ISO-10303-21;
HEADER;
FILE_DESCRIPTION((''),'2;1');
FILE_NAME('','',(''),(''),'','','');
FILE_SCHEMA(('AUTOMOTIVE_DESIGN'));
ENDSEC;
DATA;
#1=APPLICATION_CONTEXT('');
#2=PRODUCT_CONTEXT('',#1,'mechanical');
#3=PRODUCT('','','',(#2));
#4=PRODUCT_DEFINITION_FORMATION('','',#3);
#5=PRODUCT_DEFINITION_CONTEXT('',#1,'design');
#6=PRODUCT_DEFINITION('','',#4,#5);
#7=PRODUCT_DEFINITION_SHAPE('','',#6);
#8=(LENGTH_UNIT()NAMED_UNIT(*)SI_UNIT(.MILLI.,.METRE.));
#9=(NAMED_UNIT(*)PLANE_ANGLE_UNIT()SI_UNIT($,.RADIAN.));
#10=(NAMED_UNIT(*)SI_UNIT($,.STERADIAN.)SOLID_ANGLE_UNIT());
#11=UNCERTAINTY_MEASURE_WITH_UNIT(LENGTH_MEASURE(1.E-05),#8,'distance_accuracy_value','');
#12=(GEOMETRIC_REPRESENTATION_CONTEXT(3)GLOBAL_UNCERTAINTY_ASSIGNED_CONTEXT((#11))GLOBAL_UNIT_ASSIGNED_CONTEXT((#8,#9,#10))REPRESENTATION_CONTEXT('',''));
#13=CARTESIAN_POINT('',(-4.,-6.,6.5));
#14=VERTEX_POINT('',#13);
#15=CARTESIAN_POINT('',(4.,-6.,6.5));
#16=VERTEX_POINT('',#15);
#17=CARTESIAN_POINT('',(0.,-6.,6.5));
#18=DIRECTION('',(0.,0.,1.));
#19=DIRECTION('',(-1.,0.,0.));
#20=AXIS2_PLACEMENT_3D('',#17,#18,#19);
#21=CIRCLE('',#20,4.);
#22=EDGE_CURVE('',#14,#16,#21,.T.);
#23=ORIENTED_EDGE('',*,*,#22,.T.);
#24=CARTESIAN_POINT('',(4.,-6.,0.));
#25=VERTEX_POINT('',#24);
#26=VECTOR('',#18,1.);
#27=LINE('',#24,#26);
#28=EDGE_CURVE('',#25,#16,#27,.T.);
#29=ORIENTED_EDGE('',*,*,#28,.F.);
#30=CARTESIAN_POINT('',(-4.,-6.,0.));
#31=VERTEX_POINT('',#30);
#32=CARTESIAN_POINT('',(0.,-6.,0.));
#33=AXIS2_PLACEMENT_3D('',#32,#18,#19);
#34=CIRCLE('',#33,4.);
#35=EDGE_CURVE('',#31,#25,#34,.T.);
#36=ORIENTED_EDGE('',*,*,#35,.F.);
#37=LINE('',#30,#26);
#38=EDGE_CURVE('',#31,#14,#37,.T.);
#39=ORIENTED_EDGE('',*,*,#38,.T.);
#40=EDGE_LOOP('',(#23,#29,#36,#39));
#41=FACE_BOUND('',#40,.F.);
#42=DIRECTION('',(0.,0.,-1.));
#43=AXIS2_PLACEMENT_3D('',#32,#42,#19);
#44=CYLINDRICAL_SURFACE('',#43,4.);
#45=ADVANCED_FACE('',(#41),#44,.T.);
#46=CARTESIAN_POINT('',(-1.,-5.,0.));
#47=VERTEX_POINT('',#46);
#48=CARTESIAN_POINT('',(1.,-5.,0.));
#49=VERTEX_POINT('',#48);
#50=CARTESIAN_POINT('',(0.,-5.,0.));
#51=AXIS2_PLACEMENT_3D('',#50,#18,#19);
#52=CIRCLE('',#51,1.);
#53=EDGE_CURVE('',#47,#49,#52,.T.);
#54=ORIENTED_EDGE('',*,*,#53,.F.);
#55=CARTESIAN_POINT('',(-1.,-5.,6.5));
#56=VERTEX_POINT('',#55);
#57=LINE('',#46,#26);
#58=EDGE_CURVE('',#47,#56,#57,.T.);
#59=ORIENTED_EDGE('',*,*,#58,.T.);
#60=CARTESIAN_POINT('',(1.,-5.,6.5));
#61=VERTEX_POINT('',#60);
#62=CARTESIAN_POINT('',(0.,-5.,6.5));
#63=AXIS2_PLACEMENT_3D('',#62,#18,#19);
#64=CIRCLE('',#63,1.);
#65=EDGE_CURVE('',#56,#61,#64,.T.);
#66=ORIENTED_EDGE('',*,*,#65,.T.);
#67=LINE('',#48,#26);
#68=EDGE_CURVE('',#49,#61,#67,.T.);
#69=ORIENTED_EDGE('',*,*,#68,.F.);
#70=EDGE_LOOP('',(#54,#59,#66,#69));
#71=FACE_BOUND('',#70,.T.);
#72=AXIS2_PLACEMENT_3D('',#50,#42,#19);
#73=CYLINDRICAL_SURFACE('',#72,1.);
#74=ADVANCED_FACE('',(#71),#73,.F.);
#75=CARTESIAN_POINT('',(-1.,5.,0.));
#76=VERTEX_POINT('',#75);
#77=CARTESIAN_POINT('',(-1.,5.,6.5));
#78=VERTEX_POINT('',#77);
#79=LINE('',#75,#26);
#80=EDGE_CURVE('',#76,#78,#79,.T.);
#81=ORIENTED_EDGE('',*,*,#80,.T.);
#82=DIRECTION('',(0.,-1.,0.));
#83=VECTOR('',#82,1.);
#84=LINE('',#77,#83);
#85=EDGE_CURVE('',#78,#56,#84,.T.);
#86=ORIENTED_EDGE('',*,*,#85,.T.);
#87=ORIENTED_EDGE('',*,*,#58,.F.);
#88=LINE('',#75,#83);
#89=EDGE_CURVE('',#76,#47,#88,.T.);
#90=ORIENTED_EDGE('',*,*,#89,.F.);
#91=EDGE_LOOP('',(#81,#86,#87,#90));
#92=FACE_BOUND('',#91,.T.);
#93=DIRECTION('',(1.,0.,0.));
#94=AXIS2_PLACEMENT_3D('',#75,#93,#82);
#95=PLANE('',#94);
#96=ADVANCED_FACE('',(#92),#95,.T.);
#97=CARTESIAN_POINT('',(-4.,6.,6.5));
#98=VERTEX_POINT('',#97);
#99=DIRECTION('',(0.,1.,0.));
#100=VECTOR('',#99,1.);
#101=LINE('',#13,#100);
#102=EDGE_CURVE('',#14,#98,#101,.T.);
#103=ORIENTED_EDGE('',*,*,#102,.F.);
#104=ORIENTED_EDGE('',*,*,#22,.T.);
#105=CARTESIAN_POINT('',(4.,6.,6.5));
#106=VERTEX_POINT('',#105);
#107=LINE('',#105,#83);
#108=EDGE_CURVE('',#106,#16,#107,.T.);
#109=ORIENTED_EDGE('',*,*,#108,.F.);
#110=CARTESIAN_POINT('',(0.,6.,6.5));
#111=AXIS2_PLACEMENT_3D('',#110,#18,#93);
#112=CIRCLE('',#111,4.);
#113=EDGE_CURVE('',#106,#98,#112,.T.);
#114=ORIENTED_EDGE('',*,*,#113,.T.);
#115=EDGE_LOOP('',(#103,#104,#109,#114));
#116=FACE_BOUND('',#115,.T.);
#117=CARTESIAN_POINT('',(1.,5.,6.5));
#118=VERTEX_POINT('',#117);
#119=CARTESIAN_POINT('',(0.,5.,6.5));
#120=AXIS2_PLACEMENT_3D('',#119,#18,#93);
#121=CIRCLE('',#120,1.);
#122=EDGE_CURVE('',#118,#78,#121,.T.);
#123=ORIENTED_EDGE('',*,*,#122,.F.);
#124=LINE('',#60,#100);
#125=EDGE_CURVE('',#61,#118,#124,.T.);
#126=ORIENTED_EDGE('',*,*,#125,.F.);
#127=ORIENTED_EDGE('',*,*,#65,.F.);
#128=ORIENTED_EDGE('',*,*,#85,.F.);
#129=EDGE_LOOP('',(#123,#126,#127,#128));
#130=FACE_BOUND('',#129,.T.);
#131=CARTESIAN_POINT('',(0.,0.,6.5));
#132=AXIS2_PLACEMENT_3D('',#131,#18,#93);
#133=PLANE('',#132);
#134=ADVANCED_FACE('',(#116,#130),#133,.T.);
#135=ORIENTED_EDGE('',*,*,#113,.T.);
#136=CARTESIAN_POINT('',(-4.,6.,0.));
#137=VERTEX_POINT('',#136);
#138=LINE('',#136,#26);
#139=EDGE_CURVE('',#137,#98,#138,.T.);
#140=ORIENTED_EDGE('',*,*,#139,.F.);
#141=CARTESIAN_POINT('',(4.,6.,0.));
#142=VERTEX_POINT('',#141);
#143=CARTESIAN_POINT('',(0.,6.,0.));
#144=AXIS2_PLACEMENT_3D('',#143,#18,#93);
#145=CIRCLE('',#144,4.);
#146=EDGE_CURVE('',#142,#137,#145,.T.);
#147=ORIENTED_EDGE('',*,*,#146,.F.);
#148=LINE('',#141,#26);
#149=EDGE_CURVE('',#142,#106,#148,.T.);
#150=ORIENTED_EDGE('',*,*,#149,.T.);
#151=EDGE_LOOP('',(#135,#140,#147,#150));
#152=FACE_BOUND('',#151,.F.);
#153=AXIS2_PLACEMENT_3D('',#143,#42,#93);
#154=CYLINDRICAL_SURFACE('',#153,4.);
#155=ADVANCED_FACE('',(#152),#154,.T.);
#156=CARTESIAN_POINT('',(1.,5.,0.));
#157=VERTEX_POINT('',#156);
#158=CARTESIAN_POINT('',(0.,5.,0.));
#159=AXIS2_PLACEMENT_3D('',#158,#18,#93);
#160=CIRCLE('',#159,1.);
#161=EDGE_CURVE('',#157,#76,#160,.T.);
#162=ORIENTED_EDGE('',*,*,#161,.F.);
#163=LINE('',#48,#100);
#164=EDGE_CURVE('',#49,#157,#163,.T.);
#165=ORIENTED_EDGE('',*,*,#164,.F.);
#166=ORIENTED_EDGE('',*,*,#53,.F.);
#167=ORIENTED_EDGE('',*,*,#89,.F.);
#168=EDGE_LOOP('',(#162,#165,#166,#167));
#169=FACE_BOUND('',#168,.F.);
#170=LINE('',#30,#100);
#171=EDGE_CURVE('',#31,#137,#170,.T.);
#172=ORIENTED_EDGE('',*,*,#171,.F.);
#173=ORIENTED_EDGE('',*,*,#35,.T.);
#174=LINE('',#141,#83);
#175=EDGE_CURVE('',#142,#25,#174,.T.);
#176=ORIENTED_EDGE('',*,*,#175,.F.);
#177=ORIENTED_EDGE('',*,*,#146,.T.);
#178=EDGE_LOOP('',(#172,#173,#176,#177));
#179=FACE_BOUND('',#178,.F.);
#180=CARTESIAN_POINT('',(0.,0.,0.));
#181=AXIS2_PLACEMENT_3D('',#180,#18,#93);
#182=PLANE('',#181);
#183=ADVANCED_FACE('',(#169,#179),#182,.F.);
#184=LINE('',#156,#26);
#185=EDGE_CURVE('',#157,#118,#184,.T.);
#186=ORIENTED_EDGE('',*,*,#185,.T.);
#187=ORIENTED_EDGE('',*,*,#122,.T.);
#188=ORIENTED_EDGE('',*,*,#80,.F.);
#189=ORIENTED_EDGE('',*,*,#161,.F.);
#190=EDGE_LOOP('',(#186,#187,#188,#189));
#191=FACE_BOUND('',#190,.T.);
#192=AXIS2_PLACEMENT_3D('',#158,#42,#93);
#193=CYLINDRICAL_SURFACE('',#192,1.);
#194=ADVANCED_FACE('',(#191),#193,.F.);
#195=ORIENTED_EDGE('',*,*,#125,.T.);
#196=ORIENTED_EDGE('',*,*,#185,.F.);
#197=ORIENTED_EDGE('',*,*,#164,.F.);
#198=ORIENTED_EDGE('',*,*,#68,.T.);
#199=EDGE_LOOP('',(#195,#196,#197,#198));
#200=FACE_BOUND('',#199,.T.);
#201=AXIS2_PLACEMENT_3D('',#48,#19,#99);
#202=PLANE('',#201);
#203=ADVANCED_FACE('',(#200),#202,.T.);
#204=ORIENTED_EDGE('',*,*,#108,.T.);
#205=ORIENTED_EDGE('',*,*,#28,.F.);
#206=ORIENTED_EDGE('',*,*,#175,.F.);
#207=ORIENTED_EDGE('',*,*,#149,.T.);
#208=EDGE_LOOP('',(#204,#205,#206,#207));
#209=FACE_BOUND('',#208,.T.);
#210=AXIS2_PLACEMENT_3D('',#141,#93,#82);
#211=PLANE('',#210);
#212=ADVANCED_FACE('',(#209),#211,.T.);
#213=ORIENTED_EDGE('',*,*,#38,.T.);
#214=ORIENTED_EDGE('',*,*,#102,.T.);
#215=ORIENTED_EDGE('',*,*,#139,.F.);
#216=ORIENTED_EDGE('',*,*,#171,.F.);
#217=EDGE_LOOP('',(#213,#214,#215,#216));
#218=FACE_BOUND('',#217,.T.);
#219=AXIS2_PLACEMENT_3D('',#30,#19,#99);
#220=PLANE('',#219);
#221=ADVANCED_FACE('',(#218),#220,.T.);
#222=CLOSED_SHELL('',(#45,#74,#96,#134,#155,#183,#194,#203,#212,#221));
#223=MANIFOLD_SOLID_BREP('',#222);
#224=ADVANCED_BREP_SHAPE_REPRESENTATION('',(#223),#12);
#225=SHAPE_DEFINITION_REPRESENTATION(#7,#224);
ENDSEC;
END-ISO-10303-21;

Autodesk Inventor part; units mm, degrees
ref_plane "YZ Plane" through (0, 0, 0) normal (1, 0, 0) x (0, 1, 0)
ref_plane "XZ Plane" through (0, 0, 0) normal (0, 1, 0) x (-1, 0, 0)
ref_plane "XY Plane" through (0, 0, 0) normal (0, 0, 1) x (1, 0, 0)
sketch "Sketch1" plane through (0, 0, 0) normal (0, 0, 1) x (1, 0, 0)
  line L0 (0, -5) -> (0, 5) construction
  line L1 (1, -5) -> (1, 5)
  line L2 (-1, 5) -> (-1, -5)
  arc A0 (-1, -5) -> (1, -5) centre (0, -5) ccw
  arc A1 (1, 5) -> (-1, 5) centre (0, 5) ccw
  line L3 (0, -6) -> (0, 6) construction
  line L4 (-4, -6) -> (-4, 6)
  line L5 (4, 6) -> (4, -6)
  arc A2 (-4, -6) -> (4, -6) centre (0, -6) ccw
  arc A3 (4, 6) -> (-4, 6) centre (0, 6) ccw
  point P0 (0, 0)
  dimension "d0" = 5
  dimension "d1" = 2
  dimension "d2" = 1
  dimension "d3" = 3
extrude "Extrusion1" add sketch "Sketch1" along normal blind 6.5
properties part number "COILS" material "Copper"
